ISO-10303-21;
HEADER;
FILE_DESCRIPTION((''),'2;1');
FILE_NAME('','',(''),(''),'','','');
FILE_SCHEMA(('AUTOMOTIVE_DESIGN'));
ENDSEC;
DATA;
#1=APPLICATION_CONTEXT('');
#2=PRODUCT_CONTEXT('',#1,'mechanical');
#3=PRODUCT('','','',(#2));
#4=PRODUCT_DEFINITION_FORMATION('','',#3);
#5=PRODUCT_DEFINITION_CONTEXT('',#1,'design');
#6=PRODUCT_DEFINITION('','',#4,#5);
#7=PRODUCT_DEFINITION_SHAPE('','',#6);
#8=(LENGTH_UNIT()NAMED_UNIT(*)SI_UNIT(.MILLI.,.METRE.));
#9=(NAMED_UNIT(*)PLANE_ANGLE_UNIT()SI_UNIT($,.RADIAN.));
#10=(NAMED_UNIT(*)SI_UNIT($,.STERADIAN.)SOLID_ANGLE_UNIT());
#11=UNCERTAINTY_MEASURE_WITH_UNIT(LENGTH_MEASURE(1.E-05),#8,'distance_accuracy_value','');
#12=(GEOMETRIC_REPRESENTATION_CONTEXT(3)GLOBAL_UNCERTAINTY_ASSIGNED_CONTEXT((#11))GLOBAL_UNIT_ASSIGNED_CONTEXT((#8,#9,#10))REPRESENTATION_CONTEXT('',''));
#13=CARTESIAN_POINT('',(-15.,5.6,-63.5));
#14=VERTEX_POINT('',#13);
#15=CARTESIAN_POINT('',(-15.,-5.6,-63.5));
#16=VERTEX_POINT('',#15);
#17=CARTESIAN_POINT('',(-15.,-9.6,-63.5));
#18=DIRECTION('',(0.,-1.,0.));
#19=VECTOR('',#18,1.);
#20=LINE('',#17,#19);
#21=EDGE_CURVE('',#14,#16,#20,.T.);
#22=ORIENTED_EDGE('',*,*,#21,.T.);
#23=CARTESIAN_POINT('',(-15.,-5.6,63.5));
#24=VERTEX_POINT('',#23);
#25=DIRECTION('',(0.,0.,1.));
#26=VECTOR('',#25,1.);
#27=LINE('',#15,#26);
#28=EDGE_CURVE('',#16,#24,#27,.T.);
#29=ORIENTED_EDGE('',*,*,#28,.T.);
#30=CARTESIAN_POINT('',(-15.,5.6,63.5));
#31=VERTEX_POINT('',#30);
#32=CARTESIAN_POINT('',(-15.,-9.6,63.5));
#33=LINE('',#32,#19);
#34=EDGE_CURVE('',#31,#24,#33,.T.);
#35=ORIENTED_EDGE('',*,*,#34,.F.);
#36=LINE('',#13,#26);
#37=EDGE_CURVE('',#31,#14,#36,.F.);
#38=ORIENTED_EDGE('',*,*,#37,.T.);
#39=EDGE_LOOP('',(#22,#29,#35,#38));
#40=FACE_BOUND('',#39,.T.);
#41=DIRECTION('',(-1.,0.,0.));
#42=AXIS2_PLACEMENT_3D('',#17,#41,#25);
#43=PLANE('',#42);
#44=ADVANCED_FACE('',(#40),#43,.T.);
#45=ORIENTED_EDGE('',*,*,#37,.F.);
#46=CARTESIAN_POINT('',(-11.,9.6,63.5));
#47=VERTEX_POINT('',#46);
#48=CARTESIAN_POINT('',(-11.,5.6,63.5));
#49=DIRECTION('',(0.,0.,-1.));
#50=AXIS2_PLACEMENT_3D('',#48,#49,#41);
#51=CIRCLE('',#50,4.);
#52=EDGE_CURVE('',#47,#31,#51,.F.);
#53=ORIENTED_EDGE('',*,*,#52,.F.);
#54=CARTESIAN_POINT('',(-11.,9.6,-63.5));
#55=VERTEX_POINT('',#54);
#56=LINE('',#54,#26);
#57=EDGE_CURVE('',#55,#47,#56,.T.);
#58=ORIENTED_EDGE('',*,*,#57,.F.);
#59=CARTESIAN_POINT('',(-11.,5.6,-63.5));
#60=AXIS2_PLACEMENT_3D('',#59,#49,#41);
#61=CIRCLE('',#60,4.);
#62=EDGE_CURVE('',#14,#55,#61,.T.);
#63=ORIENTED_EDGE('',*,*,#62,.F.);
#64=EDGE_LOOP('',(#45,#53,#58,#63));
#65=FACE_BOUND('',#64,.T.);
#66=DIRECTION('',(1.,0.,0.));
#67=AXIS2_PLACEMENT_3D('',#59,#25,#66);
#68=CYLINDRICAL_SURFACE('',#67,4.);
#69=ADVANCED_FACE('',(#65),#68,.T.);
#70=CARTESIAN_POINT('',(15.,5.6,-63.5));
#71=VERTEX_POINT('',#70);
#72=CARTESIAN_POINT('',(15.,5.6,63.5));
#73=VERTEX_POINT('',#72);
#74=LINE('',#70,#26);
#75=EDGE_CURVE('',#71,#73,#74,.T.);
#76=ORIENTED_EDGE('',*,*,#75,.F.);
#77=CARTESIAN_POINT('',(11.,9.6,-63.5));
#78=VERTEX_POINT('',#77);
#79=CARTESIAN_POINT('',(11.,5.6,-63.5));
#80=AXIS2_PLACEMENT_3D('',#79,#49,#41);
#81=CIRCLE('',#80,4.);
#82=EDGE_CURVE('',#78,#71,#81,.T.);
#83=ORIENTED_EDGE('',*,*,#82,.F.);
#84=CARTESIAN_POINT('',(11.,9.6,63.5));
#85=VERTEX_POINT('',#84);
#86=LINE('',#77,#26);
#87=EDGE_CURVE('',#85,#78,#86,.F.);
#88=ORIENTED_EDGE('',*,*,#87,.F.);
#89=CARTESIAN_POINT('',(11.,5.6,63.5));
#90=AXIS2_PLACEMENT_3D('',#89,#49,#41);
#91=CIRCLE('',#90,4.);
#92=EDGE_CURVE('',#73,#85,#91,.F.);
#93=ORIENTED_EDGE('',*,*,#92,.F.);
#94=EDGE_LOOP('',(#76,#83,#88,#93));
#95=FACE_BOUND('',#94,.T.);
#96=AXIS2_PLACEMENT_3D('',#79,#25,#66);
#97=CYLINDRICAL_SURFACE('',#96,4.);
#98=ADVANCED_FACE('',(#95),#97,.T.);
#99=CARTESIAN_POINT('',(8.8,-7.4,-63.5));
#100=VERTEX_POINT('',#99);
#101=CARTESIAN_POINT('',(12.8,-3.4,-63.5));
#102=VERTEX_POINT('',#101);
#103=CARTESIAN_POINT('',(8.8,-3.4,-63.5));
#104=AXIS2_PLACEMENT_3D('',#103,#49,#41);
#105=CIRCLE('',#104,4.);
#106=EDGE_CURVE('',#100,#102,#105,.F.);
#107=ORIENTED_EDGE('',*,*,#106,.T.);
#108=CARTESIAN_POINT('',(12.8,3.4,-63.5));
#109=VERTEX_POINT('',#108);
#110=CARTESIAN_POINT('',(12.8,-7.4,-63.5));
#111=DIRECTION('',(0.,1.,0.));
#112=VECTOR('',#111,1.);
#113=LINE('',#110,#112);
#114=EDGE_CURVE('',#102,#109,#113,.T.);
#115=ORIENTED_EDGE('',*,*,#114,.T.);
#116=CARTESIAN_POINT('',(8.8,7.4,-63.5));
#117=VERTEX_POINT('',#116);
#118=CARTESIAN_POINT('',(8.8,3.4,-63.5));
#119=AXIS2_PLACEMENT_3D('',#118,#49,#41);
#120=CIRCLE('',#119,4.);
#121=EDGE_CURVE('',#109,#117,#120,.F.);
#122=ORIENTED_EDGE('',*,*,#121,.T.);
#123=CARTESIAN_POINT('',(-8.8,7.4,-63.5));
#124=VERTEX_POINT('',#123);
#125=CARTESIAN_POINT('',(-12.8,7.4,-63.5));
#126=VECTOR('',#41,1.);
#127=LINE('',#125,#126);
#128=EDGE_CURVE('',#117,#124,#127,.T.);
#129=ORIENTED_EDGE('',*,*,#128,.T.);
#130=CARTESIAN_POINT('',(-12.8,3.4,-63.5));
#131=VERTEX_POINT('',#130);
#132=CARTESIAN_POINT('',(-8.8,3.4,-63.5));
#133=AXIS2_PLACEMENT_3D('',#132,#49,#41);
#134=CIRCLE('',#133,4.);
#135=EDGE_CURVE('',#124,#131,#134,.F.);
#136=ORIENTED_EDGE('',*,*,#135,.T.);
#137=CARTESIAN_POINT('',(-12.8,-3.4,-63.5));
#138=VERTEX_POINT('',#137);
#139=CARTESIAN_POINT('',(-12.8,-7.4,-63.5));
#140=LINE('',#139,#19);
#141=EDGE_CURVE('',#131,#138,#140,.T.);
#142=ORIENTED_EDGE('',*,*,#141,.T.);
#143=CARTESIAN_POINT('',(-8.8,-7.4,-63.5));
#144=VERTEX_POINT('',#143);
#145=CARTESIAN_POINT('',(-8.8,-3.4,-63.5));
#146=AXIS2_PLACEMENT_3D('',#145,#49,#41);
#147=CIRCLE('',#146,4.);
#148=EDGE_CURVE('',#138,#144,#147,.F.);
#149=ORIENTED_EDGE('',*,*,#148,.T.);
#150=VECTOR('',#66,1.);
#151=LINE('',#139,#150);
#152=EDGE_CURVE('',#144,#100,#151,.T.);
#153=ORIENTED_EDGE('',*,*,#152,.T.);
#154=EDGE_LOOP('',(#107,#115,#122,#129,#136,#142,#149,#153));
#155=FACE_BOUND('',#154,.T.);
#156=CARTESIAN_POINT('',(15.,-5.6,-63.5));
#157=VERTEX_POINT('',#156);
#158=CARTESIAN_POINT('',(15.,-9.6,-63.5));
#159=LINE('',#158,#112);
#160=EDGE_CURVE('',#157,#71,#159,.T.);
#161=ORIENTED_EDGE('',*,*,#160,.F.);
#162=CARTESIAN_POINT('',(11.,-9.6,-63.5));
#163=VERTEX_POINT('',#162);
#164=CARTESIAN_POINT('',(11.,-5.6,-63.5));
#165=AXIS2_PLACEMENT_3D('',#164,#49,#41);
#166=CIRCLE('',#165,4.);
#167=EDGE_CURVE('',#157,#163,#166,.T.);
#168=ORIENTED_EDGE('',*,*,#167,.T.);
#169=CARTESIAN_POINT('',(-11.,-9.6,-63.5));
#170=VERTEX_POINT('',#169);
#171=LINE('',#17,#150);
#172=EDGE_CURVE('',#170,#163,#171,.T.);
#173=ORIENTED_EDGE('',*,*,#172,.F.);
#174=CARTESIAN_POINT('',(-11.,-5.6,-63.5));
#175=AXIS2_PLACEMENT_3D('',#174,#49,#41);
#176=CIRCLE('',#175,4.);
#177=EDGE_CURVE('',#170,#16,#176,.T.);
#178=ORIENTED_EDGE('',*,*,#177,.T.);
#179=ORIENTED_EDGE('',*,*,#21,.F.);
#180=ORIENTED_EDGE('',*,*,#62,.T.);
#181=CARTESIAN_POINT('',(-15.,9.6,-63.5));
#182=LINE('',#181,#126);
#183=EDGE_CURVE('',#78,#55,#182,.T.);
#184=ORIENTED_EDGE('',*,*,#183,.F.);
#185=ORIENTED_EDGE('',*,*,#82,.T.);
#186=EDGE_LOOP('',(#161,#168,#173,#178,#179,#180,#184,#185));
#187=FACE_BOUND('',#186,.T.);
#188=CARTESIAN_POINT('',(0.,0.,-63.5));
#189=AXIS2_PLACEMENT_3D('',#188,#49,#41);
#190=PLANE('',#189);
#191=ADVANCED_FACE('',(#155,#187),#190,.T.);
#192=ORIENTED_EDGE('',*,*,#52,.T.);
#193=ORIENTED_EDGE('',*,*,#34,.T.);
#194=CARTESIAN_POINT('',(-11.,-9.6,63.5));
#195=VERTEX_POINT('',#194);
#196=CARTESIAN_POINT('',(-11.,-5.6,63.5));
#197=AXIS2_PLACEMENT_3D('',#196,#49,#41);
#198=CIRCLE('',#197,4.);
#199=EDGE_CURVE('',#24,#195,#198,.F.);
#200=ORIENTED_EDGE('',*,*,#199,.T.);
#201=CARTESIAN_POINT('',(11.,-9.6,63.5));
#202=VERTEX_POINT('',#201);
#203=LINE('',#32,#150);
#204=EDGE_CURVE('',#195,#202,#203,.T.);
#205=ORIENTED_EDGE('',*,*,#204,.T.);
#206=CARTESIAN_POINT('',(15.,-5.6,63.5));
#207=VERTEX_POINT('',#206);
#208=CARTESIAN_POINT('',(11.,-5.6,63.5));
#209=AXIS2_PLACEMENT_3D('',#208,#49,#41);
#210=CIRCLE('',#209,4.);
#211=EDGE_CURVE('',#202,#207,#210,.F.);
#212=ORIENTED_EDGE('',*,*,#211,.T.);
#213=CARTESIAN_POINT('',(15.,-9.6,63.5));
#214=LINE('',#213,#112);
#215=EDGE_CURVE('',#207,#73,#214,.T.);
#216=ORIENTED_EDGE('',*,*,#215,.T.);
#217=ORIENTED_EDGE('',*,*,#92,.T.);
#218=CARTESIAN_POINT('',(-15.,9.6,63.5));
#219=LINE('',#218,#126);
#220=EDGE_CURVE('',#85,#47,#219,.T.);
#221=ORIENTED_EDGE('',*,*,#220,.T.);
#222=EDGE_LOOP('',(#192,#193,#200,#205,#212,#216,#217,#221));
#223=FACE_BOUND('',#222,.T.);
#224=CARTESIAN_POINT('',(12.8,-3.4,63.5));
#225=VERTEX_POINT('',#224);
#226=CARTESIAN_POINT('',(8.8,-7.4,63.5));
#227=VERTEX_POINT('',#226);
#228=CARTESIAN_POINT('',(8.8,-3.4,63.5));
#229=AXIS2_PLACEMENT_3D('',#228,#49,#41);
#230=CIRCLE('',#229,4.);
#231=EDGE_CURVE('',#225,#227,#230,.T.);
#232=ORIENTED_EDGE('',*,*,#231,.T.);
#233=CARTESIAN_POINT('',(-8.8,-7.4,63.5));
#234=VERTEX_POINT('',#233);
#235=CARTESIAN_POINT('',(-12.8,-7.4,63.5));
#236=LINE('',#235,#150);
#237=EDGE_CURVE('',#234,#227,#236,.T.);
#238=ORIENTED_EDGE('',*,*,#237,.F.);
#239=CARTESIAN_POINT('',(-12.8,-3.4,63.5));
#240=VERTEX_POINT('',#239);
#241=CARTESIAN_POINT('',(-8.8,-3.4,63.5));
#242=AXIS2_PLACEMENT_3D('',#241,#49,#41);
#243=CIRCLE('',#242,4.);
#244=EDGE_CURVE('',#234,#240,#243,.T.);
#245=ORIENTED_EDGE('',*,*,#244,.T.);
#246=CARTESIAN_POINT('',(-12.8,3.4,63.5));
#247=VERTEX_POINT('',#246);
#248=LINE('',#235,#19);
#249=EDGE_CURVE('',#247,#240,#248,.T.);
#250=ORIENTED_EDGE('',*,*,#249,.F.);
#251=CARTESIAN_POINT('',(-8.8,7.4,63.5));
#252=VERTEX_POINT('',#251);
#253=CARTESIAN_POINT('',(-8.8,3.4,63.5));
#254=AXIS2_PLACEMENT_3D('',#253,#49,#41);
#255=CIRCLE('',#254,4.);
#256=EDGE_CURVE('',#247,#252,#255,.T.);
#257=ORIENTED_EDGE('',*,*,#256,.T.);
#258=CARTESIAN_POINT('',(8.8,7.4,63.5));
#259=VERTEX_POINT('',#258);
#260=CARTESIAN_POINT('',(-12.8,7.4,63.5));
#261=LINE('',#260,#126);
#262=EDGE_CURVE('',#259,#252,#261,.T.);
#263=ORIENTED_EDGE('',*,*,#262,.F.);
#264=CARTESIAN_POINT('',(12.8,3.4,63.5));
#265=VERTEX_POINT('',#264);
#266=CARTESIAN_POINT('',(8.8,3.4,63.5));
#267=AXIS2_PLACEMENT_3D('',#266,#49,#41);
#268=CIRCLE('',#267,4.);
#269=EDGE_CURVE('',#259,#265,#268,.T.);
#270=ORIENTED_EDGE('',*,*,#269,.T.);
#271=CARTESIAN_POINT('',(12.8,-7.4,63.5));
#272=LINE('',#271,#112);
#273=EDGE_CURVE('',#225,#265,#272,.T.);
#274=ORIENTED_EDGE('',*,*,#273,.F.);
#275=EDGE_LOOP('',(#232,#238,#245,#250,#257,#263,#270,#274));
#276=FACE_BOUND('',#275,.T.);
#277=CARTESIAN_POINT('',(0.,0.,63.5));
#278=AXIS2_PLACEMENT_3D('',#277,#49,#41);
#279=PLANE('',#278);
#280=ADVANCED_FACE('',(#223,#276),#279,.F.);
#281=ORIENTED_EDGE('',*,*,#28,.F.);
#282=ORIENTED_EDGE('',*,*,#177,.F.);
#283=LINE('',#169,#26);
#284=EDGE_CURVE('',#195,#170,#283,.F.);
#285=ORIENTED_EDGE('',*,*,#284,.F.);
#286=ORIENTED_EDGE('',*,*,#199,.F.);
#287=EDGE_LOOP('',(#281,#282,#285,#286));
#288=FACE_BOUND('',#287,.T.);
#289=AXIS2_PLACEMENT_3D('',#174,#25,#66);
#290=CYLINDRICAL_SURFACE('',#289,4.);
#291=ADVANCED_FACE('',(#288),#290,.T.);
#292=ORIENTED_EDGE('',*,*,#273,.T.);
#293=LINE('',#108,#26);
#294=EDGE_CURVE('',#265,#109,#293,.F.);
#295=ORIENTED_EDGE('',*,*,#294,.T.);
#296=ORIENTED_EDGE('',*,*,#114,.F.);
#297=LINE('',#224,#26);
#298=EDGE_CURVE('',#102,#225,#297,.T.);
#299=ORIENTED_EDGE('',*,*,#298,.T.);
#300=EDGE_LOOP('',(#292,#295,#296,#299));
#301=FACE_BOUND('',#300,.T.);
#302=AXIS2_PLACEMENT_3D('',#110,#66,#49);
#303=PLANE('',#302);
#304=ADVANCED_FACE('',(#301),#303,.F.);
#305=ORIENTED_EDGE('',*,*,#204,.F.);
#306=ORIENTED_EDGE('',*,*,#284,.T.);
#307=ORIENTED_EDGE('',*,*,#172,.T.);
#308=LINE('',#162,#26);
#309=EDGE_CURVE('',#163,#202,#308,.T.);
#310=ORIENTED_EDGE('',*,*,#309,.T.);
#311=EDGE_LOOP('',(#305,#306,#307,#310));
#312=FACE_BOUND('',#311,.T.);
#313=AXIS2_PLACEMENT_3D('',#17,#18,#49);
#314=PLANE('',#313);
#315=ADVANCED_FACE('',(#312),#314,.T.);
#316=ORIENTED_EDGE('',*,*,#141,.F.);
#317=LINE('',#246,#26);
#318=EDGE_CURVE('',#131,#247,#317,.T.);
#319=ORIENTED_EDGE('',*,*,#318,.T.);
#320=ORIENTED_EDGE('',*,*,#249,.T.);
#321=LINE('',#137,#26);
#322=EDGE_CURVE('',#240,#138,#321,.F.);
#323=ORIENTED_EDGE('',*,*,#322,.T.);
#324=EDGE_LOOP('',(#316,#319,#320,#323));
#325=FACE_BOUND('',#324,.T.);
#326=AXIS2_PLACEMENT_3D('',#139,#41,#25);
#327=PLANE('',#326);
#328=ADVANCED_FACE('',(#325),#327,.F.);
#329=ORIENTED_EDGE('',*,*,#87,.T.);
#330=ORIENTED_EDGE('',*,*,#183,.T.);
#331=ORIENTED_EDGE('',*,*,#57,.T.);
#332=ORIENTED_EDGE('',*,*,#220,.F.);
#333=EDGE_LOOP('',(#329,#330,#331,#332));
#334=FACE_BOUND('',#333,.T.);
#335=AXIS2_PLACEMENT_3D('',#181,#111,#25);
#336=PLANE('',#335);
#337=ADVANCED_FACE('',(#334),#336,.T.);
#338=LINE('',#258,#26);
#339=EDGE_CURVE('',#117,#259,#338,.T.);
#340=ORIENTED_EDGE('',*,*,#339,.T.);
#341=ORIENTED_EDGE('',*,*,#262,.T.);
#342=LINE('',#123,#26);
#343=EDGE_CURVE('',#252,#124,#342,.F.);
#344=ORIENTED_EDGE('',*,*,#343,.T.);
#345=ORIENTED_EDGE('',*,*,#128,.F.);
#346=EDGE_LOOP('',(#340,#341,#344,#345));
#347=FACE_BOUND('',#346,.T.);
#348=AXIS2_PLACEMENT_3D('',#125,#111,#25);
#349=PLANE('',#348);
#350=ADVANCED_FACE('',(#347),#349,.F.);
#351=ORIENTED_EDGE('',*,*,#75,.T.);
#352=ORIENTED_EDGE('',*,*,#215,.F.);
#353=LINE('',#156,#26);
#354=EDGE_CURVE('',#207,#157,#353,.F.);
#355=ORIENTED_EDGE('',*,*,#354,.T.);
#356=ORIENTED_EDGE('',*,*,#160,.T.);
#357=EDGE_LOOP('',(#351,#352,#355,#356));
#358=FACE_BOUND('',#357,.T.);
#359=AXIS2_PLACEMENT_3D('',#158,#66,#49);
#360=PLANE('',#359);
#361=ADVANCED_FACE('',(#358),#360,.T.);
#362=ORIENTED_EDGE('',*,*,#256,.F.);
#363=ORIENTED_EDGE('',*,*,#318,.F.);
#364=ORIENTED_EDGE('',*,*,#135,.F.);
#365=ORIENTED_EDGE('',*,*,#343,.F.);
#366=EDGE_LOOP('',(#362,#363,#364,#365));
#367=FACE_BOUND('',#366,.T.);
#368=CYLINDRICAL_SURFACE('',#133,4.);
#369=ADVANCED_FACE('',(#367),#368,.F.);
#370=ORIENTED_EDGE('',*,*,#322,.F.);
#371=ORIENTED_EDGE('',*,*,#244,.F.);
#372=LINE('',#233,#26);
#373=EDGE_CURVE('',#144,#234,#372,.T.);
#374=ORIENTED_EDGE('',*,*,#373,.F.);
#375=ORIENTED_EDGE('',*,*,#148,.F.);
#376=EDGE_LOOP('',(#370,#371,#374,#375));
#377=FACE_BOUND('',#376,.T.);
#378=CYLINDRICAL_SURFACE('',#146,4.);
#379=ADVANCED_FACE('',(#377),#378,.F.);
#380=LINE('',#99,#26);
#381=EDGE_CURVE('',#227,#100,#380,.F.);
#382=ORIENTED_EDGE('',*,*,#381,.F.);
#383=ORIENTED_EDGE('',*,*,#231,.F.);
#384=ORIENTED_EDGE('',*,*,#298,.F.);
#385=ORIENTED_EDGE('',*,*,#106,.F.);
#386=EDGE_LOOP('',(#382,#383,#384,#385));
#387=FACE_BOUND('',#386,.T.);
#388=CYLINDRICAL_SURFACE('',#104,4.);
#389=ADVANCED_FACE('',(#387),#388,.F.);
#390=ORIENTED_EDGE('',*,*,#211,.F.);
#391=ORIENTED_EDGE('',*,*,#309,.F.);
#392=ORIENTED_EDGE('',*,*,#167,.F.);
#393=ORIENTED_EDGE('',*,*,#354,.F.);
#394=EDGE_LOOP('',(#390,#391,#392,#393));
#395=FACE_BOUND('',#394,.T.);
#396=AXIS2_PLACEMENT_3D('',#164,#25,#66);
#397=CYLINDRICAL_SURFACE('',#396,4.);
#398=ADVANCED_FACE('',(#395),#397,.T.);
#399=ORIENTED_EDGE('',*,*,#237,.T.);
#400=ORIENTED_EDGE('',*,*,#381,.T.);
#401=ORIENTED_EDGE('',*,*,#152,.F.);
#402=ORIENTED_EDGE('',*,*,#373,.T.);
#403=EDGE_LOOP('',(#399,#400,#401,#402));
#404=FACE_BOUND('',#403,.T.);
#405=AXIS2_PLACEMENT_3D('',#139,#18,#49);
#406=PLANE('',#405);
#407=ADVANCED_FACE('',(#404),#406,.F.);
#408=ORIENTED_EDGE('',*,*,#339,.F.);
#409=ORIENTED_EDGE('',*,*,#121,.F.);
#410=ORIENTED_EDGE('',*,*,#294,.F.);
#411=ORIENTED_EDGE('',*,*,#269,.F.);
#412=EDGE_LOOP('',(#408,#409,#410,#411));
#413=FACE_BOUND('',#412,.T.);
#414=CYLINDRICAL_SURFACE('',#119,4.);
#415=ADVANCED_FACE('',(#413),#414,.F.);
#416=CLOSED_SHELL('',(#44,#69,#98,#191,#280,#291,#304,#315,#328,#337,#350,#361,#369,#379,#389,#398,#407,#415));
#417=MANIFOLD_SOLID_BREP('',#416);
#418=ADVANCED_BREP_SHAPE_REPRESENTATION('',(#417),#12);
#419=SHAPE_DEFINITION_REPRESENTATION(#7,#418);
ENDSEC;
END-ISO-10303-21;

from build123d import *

# Parameters (mm, degrees)
ESQUISSE1_W             = 30
ESQUISSE1_H             = 19.2
ESQUISSE1_W_2           = 25.6
ESQUISSE1_H_2           = 14.8
BOSS_EXTRU_1_DEPTH      = 63.5
BOSS_EXTRU_1_DEPTH_BACK = 63.5
CONG_3_R                = 4


with BuildPart() as part:
    # Esquisse1 → Boss.-Extru.1 (new body, two sides)
    with BuildSketch(Plane.XY) as boss_extru_1_sk:
        Rectangle(ESQUISSE1_W, ESQUISSE1_H)
        Rectangle(ESQUISSE1_W_2, ESQUISSE1_H_2, mode=Mode.SUBTRACT)
    extrude(amount=BOSS_EXTRU_1_DEPTH)
    extrude(boss_extru_1_sk.sketch, amount=-BOSS_EXTRU_1_DEPTH_BACK)

    # Cong_3
    cong_3_edges = [part.edges().sort_by_distance(p)[0] for p in [
        (12.8, 7.4, 0),
        (12.8, -7.4, 0),
        (-12.8, -7.4, 0),
        (-12.8, 7.4, 0),
        (15, -9.6, 0),
        (-15, -9.6, 0),
        (-15, 9.6, 0),
        (15, 9.6, 0),
    ]]
    fillet(cong_3_edges, radius=CONG_3_R)


solid = part.part
